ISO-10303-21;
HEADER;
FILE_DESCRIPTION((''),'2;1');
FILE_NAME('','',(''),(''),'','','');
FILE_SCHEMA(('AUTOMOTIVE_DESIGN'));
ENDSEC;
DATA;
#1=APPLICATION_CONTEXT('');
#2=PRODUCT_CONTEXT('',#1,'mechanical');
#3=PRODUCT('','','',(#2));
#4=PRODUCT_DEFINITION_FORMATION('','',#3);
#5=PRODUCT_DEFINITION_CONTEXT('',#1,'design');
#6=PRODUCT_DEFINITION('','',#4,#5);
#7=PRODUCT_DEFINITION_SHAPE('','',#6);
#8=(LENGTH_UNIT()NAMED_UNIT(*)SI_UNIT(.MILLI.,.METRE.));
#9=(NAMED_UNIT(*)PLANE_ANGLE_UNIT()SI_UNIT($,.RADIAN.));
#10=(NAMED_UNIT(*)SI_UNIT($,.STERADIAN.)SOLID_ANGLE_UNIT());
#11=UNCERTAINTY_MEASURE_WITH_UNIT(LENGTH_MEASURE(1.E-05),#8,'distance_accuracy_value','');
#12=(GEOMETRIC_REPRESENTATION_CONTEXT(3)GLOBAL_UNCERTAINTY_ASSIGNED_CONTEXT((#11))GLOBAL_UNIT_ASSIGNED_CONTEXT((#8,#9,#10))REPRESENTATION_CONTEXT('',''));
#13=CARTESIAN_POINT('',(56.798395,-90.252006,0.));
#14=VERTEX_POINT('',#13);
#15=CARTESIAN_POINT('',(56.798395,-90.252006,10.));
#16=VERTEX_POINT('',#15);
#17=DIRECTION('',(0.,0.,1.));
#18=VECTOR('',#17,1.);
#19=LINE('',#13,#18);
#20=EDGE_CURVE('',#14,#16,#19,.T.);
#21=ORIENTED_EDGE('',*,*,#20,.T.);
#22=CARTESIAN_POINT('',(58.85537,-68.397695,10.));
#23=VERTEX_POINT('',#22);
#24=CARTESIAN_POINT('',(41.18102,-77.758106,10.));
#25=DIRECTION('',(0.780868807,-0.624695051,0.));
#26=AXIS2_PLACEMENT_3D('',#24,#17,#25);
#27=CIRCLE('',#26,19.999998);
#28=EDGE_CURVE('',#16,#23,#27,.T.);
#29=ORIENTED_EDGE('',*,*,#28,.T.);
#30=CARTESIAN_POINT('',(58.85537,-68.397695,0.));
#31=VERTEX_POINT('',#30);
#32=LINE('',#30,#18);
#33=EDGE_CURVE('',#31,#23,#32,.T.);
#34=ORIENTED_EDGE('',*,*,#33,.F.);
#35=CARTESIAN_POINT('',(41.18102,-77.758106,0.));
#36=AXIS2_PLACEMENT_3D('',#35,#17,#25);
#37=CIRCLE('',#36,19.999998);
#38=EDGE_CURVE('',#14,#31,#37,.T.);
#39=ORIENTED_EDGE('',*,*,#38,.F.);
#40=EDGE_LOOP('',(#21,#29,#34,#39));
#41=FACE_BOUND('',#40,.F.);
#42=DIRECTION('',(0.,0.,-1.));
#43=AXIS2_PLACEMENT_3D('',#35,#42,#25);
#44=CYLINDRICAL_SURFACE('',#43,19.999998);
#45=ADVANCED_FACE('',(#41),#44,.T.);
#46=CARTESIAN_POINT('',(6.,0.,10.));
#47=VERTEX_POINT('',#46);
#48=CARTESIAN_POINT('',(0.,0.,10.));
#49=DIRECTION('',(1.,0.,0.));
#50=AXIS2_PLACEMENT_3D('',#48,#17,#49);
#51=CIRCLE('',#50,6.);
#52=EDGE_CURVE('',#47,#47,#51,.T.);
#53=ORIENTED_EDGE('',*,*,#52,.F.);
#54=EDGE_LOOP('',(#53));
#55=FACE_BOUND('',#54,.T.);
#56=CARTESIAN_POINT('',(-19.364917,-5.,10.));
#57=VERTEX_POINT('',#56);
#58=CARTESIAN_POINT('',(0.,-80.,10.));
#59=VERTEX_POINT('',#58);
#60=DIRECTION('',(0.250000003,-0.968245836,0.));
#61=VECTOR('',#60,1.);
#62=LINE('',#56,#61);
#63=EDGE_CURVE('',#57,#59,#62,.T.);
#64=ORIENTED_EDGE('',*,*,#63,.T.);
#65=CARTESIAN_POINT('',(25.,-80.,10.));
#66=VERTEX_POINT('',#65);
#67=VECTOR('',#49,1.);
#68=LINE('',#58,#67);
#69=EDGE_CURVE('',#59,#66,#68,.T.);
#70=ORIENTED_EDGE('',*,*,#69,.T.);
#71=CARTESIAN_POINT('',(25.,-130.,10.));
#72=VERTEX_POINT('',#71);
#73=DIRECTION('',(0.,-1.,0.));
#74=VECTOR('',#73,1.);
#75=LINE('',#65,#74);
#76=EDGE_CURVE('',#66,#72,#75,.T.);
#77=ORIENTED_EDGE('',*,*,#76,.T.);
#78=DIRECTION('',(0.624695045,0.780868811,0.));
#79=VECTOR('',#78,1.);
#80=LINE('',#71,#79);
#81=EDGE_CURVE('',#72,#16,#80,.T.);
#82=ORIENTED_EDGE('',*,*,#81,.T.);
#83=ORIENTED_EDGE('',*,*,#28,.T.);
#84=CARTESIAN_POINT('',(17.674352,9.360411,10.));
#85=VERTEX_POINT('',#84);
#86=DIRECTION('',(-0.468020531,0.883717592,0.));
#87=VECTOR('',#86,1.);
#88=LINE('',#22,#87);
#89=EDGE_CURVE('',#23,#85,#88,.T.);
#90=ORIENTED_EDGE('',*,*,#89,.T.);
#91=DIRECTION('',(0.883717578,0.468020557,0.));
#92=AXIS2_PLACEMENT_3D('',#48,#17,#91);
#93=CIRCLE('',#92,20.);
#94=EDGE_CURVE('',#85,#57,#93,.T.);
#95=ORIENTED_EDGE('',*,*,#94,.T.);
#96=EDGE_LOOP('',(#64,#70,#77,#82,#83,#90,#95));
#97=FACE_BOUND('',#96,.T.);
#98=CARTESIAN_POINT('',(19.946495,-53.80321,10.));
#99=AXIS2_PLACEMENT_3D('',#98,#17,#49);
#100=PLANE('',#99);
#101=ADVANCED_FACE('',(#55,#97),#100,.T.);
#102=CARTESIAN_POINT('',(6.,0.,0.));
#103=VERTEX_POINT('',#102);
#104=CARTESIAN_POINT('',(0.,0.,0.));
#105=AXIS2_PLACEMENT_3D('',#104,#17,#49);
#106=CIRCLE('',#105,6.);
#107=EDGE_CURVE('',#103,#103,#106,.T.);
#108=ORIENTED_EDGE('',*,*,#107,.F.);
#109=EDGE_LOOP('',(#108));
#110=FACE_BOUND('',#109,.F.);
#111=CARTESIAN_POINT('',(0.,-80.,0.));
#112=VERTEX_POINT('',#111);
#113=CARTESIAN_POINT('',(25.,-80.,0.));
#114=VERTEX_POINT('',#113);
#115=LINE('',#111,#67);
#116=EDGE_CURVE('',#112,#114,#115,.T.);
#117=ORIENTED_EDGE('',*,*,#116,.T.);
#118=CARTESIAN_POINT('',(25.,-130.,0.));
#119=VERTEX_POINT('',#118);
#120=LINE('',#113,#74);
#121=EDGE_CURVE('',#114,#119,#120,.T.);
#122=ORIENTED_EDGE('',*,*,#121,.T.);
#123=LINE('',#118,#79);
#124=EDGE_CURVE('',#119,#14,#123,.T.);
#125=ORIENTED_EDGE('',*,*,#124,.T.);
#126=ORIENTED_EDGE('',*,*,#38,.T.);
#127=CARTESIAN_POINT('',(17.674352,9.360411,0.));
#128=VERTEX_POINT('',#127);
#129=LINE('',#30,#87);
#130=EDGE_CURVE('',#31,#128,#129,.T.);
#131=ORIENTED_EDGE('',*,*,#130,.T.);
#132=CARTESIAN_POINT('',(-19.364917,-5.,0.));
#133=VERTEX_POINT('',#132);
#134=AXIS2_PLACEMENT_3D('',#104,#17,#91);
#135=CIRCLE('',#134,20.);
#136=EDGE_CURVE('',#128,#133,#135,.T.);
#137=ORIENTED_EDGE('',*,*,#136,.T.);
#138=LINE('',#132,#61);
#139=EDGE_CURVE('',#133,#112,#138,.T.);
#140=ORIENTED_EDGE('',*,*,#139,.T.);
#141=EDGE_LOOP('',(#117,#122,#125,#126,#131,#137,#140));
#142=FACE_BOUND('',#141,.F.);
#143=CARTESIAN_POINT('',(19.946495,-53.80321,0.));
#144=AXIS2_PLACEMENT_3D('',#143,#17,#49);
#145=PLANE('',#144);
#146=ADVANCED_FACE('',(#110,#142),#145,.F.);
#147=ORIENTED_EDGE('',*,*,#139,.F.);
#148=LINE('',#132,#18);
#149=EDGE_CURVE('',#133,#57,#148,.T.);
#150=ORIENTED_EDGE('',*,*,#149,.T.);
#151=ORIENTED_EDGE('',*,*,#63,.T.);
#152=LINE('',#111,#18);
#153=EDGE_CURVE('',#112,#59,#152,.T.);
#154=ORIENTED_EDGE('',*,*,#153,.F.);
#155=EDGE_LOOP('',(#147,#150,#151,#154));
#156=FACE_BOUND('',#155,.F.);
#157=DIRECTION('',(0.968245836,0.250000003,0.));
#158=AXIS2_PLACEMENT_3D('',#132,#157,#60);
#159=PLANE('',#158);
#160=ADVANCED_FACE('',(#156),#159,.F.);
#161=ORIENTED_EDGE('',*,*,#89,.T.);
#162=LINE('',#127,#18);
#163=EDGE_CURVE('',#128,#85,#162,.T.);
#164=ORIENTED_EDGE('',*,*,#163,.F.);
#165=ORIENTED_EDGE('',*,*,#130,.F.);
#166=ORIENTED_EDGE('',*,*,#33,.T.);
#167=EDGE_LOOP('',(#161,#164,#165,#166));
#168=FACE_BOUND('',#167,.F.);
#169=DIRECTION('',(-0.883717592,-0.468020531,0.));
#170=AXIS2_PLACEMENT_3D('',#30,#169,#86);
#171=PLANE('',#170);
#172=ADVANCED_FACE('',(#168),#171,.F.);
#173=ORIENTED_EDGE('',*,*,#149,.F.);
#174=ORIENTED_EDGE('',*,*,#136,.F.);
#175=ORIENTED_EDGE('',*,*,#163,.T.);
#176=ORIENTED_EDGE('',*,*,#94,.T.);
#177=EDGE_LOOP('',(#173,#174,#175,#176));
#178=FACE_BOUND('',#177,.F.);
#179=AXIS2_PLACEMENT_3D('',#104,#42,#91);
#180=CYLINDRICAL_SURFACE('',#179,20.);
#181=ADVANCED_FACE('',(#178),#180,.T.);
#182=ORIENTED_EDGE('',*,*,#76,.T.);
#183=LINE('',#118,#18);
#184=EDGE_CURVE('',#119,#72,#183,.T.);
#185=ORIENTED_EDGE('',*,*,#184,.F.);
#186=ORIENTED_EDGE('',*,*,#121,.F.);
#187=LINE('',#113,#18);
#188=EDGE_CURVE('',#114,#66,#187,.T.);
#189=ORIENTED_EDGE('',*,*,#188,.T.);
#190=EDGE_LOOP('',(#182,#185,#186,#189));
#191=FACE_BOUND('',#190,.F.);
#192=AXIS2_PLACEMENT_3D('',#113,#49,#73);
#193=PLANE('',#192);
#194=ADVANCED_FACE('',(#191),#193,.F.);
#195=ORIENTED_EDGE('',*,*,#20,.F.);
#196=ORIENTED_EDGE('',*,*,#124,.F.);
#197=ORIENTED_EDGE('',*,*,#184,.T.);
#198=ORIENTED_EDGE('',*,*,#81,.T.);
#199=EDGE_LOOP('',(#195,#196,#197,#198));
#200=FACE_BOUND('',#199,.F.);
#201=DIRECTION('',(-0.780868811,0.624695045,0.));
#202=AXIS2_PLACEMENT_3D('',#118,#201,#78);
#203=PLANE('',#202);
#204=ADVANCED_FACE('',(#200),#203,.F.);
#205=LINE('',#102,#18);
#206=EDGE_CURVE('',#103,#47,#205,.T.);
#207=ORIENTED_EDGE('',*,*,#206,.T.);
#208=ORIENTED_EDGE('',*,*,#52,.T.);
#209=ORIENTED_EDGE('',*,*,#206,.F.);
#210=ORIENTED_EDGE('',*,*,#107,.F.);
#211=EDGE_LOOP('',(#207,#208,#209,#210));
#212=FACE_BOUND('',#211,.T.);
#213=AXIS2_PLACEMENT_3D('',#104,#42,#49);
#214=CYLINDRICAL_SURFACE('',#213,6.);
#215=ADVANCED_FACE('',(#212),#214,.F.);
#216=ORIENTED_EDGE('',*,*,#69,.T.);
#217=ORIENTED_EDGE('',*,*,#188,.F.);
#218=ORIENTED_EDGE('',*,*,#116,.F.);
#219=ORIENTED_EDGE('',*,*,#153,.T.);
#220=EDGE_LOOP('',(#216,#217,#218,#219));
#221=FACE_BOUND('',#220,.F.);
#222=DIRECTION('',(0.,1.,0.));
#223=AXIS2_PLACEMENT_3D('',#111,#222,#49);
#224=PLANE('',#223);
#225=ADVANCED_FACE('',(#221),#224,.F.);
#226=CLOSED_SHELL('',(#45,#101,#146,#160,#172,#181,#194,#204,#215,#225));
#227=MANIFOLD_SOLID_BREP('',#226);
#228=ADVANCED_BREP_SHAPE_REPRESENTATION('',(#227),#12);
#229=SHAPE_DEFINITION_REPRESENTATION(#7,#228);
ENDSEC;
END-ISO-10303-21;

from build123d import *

# Parameters (mm, degrees)
F0_R     = 6
F1_DEPTH = 10


with BuildPart() as f1:
    # F0 (on Top) → F1 (new body)
    with BuildSketch(Plane.XY):
        with BuildLine():
            Line((58.85537, -68.397695), (17.674352, 9.360411))
            ThreePointArc((17.674352, 9.360411), (-7.229789, 18.647524), (-19.364917, -5))
            Line((-19.364917, -5), (0, -80))
            Line((0, -80), (25, -80))
            Line((25, -80), (25, -130))
            Line((25, -130), (56.798395, -90.252006))
            ThreePointArc((56.798395, -90.252006), (61.093013, -79.632266), (58.85537, -68.397695))
        make_face()
        Circle(F0_R, mode=Mode.SUBTRACT)
    extrude(amount=F1_DEPTH)


solid = f1.part
